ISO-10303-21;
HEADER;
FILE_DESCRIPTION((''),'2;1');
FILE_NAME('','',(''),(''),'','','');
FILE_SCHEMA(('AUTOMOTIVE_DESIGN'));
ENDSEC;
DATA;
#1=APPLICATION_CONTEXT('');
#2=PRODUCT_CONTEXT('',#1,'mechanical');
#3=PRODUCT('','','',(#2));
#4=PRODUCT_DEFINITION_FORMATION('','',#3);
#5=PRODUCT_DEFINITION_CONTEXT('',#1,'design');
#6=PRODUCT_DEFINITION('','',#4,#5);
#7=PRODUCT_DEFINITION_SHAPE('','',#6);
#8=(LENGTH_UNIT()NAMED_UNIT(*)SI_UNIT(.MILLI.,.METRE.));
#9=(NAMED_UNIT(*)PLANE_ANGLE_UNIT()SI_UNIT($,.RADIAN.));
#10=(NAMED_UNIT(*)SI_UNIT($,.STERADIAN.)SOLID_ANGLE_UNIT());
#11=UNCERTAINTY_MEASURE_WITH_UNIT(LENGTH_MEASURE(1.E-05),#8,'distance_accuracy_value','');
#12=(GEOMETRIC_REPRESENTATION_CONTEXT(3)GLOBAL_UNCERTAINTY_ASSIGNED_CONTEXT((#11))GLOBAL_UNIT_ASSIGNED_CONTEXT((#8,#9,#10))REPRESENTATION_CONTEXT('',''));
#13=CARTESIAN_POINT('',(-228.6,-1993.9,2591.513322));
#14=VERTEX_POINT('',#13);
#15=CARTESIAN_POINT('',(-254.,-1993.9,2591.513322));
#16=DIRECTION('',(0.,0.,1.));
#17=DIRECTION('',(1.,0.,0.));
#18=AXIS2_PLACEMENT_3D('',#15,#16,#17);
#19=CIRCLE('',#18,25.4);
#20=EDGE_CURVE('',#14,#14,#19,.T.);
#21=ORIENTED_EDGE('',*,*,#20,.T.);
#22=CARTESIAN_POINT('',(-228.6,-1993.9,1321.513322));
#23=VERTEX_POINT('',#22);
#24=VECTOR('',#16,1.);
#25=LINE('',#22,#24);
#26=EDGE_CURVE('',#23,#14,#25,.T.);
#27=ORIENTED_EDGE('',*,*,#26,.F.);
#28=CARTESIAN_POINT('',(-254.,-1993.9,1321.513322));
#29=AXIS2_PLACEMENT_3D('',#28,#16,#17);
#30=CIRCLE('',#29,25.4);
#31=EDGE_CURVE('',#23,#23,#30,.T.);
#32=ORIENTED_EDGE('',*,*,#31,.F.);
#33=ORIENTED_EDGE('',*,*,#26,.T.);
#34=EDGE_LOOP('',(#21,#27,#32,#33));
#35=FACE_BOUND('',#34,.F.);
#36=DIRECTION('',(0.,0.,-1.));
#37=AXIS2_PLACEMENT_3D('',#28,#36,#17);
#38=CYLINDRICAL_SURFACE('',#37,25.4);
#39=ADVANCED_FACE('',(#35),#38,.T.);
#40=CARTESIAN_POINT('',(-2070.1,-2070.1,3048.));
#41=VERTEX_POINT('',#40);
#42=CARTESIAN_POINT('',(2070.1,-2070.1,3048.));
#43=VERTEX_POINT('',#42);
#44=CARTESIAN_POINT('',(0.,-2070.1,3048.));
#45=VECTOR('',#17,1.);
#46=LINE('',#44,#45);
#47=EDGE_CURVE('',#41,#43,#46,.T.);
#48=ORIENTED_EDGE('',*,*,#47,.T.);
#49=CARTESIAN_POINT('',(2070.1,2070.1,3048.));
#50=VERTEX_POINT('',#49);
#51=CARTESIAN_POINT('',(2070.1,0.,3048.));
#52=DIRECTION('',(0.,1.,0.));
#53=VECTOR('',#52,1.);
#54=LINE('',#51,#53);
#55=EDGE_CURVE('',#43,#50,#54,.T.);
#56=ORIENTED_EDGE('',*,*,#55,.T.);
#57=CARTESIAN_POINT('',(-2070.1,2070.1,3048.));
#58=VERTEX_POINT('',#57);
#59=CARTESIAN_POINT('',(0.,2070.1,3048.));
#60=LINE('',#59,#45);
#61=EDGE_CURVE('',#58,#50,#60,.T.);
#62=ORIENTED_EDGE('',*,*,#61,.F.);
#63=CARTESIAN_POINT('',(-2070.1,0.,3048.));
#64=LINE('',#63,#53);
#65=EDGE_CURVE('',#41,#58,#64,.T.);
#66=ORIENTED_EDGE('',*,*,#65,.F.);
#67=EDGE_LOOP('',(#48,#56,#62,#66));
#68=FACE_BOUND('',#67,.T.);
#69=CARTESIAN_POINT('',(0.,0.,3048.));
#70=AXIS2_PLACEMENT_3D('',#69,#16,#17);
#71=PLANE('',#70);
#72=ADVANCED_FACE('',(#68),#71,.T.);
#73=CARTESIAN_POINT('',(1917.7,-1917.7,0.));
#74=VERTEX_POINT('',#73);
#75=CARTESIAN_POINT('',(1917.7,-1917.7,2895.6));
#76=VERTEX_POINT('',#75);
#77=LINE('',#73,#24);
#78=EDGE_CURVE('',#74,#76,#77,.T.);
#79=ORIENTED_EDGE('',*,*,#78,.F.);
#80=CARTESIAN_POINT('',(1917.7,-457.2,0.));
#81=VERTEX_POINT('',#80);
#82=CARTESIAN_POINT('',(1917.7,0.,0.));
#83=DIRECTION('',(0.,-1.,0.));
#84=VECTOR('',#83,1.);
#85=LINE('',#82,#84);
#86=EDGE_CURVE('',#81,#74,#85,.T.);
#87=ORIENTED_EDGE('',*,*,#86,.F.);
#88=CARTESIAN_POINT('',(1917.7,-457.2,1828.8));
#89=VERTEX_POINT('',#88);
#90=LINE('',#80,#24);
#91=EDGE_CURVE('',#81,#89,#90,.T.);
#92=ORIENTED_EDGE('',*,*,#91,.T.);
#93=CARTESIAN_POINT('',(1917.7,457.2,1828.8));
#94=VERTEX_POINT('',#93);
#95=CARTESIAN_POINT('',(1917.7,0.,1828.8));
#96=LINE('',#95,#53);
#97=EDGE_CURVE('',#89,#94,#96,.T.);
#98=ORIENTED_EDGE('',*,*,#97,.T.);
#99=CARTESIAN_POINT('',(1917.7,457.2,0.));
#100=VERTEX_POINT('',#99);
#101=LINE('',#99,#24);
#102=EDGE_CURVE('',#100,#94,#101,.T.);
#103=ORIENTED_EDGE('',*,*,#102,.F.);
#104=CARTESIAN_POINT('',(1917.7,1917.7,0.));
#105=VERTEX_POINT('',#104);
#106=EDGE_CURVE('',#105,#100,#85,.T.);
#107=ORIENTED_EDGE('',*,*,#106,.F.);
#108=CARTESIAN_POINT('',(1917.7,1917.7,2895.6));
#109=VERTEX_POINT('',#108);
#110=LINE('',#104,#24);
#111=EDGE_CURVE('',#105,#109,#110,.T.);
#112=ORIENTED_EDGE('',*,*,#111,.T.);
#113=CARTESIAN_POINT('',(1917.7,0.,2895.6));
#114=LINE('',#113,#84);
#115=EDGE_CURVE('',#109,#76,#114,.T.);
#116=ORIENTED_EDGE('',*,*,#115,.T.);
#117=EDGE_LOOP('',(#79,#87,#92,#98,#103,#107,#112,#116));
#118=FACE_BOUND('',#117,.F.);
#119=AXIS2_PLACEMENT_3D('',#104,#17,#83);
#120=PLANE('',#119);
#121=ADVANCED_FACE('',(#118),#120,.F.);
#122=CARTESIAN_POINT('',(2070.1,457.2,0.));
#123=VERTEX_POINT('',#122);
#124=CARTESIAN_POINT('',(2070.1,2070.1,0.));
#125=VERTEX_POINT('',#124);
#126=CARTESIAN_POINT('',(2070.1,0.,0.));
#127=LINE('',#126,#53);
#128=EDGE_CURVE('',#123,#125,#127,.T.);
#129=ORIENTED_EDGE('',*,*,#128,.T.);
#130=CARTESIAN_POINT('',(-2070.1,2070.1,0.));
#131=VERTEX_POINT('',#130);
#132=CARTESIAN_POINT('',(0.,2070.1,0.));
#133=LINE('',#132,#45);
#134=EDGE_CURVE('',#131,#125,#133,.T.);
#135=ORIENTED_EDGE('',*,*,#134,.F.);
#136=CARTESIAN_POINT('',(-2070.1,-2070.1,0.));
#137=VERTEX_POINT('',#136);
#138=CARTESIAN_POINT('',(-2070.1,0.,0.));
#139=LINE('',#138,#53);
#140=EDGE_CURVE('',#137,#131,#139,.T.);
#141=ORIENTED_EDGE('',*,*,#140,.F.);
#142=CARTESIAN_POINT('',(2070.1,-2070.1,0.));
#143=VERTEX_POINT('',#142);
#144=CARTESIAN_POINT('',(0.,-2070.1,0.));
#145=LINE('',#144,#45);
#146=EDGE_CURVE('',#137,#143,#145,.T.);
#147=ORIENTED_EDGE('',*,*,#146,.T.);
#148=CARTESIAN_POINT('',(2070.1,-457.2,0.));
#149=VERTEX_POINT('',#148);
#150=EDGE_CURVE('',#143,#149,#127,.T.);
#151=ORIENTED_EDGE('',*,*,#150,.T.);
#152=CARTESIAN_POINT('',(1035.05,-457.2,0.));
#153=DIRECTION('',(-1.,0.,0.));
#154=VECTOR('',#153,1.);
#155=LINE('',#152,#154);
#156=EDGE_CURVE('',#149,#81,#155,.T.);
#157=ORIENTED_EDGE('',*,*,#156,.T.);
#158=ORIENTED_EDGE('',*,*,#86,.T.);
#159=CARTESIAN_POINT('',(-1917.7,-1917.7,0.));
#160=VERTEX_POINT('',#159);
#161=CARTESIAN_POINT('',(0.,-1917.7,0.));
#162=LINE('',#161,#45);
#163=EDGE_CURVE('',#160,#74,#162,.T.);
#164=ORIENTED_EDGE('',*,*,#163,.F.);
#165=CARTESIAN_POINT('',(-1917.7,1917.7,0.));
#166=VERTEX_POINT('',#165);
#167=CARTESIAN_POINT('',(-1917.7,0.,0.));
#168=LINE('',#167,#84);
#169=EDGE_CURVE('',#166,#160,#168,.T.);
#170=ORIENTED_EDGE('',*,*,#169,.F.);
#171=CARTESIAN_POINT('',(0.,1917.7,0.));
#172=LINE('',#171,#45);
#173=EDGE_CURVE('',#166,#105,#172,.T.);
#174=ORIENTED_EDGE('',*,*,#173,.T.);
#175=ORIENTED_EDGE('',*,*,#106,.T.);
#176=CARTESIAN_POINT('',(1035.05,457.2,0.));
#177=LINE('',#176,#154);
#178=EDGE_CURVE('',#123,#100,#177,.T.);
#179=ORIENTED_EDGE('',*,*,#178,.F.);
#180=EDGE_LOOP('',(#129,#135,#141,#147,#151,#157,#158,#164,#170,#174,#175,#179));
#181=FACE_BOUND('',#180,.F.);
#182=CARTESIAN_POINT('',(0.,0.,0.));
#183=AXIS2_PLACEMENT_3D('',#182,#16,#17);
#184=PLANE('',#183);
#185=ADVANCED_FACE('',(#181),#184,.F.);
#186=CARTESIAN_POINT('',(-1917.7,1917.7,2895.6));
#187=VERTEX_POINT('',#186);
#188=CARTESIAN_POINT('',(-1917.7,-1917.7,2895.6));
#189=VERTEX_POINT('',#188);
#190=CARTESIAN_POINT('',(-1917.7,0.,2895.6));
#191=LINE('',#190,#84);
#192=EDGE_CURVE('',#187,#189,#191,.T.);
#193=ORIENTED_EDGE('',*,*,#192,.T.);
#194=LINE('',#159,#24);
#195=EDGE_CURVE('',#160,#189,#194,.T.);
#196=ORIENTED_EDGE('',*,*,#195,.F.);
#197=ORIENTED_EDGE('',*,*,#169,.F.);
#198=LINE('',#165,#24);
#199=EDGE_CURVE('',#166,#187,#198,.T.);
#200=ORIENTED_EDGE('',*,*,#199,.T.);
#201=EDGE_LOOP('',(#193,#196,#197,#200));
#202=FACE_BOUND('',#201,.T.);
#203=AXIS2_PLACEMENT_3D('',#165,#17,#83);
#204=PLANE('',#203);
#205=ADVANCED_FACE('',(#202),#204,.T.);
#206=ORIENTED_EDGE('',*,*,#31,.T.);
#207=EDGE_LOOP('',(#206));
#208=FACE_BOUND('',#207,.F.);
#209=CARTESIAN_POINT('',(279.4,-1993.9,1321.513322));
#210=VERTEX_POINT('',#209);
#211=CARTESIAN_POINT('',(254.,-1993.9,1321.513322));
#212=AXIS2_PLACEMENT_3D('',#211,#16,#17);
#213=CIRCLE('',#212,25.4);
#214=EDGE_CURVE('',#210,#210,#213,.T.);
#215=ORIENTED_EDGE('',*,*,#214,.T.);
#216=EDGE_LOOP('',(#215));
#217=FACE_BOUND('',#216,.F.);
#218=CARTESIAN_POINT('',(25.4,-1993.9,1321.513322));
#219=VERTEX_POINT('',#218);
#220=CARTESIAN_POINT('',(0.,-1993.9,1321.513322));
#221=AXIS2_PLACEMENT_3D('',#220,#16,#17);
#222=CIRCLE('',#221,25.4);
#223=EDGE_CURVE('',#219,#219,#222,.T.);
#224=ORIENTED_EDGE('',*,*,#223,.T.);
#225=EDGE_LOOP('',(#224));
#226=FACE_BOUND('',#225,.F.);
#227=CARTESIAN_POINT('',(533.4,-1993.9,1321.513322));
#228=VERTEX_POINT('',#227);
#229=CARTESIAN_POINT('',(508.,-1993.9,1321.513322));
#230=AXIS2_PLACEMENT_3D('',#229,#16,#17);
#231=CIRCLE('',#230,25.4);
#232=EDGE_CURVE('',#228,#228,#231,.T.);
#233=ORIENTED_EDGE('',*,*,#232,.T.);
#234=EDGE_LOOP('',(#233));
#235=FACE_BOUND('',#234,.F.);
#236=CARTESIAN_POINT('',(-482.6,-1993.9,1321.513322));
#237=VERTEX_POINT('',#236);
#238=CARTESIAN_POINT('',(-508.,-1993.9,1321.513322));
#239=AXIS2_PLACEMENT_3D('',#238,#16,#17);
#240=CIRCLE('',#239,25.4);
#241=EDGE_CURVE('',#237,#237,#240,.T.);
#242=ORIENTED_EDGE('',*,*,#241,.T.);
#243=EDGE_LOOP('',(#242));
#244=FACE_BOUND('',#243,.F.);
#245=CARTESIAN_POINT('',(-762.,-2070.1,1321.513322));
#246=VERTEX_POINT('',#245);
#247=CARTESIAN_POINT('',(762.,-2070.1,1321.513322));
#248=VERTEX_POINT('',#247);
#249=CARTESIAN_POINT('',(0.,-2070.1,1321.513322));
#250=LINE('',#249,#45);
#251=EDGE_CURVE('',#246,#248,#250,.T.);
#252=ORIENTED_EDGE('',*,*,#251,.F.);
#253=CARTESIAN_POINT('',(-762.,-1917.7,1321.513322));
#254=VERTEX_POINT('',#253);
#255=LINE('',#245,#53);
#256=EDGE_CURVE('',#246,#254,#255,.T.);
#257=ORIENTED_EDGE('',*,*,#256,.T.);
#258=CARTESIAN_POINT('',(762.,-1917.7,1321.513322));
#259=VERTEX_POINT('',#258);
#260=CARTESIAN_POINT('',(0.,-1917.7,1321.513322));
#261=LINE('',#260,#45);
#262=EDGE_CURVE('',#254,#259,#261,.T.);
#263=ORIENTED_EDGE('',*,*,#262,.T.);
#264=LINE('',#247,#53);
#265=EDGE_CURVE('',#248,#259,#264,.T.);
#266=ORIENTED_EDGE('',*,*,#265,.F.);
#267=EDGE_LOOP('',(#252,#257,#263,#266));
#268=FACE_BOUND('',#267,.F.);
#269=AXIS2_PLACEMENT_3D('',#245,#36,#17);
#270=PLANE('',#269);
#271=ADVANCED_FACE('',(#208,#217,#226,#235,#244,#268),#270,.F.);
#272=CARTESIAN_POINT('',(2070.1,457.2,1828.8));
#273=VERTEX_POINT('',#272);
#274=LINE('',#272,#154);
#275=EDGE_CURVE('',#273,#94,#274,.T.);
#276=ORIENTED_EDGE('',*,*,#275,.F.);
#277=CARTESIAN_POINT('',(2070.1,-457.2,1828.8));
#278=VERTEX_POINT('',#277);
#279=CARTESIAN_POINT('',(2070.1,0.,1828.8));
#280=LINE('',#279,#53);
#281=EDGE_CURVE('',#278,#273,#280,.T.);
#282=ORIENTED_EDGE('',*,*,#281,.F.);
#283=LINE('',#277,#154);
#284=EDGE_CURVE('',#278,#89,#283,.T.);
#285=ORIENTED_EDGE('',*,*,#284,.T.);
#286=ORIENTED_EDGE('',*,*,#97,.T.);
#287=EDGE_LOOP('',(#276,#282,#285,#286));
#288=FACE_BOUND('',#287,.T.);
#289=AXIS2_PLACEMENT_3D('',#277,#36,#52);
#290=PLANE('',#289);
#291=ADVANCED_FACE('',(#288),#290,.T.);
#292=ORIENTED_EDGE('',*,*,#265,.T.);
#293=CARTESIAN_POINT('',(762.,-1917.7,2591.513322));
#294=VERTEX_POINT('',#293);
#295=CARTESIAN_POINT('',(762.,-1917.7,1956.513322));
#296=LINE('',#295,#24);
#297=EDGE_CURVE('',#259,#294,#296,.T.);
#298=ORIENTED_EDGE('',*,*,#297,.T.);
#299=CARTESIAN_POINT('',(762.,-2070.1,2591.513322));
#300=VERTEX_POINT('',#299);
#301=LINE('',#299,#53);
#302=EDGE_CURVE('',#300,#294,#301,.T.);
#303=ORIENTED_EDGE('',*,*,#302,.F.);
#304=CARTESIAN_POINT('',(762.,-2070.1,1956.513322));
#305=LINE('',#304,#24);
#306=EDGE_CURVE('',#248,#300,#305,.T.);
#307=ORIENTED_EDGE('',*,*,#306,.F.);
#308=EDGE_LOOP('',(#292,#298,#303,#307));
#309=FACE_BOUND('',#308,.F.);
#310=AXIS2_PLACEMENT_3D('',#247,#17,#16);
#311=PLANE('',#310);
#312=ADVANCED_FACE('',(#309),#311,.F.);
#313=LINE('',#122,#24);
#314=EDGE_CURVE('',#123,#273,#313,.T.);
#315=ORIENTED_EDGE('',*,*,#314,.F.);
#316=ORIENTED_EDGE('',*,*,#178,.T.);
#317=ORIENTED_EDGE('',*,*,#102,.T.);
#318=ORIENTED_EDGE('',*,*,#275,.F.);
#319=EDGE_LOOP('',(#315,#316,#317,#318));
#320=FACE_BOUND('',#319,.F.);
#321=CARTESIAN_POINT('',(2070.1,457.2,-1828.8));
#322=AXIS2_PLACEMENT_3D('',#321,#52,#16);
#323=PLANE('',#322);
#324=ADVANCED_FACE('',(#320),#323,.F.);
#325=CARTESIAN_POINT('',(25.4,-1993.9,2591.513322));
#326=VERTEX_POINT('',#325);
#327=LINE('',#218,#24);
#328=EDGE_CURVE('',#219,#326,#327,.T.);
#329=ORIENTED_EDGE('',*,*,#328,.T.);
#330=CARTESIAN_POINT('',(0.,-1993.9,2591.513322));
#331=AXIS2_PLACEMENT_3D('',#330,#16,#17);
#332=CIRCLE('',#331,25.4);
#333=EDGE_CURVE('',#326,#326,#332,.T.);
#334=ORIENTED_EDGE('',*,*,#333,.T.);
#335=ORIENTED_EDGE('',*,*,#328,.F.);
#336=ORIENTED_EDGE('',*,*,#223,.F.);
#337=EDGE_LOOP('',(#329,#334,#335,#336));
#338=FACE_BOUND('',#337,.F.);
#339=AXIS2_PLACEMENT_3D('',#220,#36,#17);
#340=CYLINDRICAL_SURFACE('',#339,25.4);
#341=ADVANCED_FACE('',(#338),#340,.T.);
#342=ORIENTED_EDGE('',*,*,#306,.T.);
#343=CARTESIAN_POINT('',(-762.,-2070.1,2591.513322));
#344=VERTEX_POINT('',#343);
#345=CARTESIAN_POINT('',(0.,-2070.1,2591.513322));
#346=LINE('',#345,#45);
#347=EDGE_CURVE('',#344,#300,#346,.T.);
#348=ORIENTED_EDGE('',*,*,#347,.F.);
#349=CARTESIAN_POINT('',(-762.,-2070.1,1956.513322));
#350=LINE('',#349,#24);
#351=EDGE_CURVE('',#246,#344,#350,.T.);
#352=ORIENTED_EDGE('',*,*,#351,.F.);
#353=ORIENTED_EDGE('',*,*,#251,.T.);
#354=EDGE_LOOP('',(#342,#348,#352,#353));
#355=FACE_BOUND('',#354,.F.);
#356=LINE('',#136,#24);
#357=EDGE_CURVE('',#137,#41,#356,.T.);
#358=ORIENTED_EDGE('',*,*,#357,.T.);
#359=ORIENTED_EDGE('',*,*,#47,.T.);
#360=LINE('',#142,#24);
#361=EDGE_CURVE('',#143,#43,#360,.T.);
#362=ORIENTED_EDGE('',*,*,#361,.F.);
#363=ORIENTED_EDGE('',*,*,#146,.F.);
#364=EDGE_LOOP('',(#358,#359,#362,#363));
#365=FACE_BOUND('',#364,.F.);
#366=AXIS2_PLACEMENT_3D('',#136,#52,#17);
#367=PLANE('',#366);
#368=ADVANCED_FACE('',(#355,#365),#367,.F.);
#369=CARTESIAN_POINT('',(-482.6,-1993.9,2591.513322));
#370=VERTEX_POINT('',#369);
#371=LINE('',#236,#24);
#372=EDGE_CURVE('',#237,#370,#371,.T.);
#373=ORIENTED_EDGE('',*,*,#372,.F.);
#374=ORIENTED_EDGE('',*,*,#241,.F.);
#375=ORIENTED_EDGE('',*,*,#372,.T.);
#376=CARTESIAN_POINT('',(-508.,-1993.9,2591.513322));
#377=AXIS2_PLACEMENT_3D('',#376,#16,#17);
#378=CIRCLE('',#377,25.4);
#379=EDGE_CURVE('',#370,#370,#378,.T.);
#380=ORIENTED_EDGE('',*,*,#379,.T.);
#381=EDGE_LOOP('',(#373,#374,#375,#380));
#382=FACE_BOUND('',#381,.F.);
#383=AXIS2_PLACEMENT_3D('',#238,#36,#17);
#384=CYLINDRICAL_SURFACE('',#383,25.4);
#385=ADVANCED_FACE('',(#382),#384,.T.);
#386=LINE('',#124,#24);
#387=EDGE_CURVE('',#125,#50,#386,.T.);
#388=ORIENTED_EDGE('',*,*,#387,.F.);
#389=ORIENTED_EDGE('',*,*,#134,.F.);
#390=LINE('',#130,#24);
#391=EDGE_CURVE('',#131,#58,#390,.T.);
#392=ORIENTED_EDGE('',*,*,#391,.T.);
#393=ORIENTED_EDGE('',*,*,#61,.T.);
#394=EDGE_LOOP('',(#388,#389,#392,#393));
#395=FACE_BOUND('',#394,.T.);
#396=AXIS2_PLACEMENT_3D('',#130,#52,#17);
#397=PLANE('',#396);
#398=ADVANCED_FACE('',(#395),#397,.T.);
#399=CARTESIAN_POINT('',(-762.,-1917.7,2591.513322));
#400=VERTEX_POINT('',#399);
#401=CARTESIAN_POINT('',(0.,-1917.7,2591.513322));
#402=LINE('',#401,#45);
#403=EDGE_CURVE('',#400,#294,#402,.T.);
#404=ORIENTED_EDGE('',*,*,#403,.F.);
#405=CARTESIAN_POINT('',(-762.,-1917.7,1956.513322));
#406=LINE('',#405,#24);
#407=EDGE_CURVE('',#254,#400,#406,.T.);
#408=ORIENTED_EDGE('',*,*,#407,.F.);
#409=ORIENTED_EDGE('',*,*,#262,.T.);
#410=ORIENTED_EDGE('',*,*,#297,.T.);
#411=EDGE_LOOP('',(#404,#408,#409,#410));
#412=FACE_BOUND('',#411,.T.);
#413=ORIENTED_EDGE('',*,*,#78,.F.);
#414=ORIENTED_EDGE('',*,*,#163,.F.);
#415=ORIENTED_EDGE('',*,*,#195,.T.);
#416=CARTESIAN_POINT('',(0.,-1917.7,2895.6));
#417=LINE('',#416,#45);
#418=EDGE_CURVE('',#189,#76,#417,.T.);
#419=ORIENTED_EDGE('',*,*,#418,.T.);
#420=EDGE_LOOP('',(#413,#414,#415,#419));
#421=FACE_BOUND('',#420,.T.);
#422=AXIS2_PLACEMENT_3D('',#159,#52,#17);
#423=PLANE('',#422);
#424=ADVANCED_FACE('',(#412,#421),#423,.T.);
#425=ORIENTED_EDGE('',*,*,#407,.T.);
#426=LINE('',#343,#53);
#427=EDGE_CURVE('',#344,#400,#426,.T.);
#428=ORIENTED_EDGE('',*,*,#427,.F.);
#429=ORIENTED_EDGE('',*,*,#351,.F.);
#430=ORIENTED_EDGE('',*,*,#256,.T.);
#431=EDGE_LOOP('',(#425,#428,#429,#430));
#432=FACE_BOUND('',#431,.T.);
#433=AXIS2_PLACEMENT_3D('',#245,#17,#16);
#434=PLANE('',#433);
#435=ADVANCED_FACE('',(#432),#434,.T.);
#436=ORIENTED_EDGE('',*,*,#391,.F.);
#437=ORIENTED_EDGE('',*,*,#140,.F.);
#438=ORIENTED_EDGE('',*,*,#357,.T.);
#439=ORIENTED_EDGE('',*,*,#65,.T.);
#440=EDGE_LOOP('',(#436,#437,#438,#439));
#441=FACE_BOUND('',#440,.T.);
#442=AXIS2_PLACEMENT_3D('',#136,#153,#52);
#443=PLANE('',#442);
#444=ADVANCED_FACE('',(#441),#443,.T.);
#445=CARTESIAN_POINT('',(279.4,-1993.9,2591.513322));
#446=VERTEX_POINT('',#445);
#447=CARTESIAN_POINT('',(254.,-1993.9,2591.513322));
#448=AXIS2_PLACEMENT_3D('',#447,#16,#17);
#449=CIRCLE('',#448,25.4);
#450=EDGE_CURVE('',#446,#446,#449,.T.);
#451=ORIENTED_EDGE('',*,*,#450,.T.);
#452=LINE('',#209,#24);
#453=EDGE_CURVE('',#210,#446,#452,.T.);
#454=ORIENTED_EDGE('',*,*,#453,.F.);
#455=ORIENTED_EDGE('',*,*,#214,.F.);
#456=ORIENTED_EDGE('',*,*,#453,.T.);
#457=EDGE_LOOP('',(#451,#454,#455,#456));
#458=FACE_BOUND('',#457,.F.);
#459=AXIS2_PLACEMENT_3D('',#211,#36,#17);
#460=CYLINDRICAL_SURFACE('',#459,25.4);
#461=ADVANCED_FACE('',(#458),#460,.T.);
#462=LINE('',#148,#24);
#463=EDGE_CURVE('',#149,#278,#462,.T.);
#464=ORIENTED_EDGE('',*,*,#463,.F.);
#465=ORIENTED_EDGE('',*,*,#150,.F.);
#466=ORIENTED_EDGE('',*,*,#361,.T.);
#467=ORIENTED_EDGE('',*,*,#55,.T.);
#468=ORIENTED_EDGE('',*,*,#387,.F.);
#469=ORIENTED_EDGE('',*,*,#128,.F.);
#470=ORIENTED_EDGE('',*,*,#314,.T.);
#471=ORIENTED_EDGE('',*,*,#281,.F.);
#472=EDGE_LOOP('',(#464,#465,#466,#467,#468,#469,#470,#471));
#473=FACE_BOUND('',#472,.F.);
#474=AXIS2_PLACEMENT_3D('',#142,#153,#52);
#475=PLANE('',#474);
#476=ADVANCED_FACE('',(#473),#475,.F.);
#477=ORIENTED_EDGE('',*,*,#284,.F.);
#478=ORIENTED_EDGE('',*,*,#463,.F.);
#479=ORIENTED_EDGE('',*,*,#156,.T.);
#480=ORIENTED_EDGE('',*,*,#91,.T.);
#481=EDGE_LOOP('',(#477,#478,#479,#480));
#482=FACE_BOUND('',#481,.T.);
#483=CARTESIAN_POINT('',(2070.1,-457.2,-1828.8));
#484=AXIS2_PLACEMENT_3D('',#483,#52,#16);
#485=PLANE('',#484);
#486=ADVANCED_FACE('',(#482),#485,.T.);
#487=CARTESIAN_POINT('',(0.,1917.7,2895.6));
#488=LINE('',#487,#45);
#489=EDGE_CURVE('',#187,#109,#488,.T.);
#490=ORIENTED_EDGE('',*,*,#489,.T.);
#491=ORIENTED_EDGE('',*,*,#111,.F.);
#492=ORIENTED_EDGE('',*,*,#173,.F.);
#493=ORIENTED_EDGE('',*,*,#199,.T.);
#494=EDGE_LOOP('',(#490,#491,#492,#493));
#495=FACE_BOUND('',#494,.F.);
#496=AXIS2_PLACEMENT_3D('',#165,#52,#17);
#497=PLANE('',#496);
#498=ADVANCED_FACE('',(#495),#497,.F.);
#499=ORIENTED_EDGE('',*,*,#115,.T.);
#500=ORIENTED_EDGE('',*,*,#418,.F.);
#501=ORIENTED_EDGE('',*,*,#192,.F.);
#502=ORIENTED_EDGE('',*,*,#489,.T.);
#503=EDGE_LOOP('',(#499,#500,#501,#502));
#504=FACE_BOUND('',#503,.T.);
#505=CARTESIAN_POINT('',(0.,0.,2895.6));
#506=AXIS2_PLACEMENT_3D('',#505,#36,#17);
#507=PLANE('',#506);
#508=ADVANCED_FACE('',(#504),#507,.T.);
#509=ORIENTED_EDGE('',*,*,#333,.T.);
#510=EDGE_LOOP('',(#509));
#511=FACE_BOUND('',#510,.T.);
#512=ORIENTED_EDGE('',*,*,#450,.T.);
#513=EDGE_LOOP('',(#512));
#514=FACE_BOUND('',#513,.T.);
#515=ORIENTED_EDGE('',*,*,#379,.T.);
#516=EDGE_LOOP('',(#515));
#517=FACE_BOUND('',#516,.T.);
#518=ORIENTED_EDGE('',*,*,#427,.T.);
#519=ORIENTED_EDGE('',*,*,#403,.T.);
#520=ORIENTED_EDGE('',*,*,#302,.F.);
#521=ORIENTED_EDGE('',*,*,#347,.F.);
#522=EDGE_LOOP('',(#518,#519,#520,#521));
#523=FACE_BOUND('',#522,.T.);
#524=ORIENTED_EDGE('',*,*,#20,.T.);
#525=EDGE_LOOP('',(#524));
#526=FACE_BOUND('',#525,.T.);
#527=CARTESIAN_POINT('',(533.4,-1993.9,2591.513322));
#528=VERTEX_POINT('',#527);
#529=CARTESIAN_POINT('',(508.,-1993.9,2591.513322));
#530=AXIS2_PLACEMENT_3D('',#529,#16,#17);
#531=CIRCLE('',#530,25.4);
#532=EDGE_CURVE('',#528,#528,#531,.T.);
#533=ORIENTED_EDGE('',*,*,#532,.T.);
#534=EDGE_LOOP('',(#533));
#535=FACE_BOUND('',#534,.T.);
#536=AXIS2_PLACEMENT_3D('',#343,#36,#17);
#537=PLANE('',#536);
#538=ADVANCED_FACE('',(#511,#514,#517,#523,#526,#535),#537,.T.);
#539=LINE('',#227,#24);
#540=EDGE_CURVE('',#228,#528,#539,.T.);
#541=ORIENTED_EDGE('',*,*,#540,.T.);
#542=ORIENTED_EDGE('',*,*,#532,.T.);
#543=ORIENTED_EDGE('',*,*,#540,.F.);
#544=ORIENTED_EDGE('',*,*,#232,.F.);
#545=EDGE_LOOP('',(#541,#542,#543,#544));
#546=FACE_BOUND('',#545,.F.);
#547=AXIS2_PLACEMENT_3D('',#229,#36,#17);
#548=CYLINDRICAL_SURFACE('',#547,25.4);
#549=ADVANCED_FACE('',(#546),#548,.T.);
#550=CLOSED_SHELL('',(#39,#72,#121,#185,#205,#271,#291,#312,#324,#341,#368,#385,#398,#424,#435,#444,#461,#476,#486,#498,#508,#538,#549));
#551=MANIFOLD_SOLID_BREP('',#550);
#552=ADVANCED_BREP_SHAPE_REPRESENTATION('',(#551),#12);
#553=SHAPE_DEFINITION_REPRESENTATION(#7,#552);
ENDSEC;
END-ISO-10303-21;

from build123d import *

# Parameters (mm, degrees)
F0_W     = 4140.2
F0_H     = 4140.2
F1_DEPTH = 3048
F2_W     = 1524
F2_H     = 1270
F3_DEPTH = 152.4
F4_W     = 3835.4
F4_H     = 3835.4
F5_DEPTH = 2895.6
F6_R     = 25.4
F7_DEPTH = 1270
F8_W     = 914.4
F8_H     = 3657.6
F9_DEPTH = 152.4


with BuildPart() as f1:
    # F0 (on Top) → F1 (new body)
    with BuildSketch(Plane.XY):
        Rectangle(F0_W, F0_H)
    extrude(amount=F1_DEPTH)

    # F2 (on face) → F3 (cut)
    with BuildSketch(Plane.XZ.offset(2070.1)):
        with Locations((0, 1956.513322)):
            Rectangle(F2_W, F2_H)
    extrude(amount=-F3_DEPTH, mode=Mode.SUBTRACT)

    # F4 (on face) → F5 (cut)
    with BuildSketch(Plane(origin=(0, 0, 0), x_dir=(1, 0, 0), z_dir=(0, 0, -1))):
        Rectangle(F4_W, F4_H)
    extrude(amount=-F5_DEPTH, mode=Mode.SUBTRACT)

    # F6 (on face) → F7 (join)
    with BuildSketch(Plane.XY.offset(1321.513322)):
        with Locations((-508, -1993.9)):
            Circle(F6_R)
        with Locations((0, -1993.9)):
            Circle(F6_R)
        with Locations((508, -1993.9)):
            Circle(F6_R)
        with Locations((-254, -1993.9)):
            Circle(F6_R)
        with Locations((254, -1993.9)):
            Circle(F6_R)
    extrude(amount=F7_DEPTH)

    # F8 (on face) → F9 (cut)
    with BuildSketch(Plane.YZ.offset(2070.1)):
        Rectangle(F8_W, F8_H)
    extrude(amount=-F9_DEPTH, mode=Mode.SUBTRACT)


solid = f1.part
